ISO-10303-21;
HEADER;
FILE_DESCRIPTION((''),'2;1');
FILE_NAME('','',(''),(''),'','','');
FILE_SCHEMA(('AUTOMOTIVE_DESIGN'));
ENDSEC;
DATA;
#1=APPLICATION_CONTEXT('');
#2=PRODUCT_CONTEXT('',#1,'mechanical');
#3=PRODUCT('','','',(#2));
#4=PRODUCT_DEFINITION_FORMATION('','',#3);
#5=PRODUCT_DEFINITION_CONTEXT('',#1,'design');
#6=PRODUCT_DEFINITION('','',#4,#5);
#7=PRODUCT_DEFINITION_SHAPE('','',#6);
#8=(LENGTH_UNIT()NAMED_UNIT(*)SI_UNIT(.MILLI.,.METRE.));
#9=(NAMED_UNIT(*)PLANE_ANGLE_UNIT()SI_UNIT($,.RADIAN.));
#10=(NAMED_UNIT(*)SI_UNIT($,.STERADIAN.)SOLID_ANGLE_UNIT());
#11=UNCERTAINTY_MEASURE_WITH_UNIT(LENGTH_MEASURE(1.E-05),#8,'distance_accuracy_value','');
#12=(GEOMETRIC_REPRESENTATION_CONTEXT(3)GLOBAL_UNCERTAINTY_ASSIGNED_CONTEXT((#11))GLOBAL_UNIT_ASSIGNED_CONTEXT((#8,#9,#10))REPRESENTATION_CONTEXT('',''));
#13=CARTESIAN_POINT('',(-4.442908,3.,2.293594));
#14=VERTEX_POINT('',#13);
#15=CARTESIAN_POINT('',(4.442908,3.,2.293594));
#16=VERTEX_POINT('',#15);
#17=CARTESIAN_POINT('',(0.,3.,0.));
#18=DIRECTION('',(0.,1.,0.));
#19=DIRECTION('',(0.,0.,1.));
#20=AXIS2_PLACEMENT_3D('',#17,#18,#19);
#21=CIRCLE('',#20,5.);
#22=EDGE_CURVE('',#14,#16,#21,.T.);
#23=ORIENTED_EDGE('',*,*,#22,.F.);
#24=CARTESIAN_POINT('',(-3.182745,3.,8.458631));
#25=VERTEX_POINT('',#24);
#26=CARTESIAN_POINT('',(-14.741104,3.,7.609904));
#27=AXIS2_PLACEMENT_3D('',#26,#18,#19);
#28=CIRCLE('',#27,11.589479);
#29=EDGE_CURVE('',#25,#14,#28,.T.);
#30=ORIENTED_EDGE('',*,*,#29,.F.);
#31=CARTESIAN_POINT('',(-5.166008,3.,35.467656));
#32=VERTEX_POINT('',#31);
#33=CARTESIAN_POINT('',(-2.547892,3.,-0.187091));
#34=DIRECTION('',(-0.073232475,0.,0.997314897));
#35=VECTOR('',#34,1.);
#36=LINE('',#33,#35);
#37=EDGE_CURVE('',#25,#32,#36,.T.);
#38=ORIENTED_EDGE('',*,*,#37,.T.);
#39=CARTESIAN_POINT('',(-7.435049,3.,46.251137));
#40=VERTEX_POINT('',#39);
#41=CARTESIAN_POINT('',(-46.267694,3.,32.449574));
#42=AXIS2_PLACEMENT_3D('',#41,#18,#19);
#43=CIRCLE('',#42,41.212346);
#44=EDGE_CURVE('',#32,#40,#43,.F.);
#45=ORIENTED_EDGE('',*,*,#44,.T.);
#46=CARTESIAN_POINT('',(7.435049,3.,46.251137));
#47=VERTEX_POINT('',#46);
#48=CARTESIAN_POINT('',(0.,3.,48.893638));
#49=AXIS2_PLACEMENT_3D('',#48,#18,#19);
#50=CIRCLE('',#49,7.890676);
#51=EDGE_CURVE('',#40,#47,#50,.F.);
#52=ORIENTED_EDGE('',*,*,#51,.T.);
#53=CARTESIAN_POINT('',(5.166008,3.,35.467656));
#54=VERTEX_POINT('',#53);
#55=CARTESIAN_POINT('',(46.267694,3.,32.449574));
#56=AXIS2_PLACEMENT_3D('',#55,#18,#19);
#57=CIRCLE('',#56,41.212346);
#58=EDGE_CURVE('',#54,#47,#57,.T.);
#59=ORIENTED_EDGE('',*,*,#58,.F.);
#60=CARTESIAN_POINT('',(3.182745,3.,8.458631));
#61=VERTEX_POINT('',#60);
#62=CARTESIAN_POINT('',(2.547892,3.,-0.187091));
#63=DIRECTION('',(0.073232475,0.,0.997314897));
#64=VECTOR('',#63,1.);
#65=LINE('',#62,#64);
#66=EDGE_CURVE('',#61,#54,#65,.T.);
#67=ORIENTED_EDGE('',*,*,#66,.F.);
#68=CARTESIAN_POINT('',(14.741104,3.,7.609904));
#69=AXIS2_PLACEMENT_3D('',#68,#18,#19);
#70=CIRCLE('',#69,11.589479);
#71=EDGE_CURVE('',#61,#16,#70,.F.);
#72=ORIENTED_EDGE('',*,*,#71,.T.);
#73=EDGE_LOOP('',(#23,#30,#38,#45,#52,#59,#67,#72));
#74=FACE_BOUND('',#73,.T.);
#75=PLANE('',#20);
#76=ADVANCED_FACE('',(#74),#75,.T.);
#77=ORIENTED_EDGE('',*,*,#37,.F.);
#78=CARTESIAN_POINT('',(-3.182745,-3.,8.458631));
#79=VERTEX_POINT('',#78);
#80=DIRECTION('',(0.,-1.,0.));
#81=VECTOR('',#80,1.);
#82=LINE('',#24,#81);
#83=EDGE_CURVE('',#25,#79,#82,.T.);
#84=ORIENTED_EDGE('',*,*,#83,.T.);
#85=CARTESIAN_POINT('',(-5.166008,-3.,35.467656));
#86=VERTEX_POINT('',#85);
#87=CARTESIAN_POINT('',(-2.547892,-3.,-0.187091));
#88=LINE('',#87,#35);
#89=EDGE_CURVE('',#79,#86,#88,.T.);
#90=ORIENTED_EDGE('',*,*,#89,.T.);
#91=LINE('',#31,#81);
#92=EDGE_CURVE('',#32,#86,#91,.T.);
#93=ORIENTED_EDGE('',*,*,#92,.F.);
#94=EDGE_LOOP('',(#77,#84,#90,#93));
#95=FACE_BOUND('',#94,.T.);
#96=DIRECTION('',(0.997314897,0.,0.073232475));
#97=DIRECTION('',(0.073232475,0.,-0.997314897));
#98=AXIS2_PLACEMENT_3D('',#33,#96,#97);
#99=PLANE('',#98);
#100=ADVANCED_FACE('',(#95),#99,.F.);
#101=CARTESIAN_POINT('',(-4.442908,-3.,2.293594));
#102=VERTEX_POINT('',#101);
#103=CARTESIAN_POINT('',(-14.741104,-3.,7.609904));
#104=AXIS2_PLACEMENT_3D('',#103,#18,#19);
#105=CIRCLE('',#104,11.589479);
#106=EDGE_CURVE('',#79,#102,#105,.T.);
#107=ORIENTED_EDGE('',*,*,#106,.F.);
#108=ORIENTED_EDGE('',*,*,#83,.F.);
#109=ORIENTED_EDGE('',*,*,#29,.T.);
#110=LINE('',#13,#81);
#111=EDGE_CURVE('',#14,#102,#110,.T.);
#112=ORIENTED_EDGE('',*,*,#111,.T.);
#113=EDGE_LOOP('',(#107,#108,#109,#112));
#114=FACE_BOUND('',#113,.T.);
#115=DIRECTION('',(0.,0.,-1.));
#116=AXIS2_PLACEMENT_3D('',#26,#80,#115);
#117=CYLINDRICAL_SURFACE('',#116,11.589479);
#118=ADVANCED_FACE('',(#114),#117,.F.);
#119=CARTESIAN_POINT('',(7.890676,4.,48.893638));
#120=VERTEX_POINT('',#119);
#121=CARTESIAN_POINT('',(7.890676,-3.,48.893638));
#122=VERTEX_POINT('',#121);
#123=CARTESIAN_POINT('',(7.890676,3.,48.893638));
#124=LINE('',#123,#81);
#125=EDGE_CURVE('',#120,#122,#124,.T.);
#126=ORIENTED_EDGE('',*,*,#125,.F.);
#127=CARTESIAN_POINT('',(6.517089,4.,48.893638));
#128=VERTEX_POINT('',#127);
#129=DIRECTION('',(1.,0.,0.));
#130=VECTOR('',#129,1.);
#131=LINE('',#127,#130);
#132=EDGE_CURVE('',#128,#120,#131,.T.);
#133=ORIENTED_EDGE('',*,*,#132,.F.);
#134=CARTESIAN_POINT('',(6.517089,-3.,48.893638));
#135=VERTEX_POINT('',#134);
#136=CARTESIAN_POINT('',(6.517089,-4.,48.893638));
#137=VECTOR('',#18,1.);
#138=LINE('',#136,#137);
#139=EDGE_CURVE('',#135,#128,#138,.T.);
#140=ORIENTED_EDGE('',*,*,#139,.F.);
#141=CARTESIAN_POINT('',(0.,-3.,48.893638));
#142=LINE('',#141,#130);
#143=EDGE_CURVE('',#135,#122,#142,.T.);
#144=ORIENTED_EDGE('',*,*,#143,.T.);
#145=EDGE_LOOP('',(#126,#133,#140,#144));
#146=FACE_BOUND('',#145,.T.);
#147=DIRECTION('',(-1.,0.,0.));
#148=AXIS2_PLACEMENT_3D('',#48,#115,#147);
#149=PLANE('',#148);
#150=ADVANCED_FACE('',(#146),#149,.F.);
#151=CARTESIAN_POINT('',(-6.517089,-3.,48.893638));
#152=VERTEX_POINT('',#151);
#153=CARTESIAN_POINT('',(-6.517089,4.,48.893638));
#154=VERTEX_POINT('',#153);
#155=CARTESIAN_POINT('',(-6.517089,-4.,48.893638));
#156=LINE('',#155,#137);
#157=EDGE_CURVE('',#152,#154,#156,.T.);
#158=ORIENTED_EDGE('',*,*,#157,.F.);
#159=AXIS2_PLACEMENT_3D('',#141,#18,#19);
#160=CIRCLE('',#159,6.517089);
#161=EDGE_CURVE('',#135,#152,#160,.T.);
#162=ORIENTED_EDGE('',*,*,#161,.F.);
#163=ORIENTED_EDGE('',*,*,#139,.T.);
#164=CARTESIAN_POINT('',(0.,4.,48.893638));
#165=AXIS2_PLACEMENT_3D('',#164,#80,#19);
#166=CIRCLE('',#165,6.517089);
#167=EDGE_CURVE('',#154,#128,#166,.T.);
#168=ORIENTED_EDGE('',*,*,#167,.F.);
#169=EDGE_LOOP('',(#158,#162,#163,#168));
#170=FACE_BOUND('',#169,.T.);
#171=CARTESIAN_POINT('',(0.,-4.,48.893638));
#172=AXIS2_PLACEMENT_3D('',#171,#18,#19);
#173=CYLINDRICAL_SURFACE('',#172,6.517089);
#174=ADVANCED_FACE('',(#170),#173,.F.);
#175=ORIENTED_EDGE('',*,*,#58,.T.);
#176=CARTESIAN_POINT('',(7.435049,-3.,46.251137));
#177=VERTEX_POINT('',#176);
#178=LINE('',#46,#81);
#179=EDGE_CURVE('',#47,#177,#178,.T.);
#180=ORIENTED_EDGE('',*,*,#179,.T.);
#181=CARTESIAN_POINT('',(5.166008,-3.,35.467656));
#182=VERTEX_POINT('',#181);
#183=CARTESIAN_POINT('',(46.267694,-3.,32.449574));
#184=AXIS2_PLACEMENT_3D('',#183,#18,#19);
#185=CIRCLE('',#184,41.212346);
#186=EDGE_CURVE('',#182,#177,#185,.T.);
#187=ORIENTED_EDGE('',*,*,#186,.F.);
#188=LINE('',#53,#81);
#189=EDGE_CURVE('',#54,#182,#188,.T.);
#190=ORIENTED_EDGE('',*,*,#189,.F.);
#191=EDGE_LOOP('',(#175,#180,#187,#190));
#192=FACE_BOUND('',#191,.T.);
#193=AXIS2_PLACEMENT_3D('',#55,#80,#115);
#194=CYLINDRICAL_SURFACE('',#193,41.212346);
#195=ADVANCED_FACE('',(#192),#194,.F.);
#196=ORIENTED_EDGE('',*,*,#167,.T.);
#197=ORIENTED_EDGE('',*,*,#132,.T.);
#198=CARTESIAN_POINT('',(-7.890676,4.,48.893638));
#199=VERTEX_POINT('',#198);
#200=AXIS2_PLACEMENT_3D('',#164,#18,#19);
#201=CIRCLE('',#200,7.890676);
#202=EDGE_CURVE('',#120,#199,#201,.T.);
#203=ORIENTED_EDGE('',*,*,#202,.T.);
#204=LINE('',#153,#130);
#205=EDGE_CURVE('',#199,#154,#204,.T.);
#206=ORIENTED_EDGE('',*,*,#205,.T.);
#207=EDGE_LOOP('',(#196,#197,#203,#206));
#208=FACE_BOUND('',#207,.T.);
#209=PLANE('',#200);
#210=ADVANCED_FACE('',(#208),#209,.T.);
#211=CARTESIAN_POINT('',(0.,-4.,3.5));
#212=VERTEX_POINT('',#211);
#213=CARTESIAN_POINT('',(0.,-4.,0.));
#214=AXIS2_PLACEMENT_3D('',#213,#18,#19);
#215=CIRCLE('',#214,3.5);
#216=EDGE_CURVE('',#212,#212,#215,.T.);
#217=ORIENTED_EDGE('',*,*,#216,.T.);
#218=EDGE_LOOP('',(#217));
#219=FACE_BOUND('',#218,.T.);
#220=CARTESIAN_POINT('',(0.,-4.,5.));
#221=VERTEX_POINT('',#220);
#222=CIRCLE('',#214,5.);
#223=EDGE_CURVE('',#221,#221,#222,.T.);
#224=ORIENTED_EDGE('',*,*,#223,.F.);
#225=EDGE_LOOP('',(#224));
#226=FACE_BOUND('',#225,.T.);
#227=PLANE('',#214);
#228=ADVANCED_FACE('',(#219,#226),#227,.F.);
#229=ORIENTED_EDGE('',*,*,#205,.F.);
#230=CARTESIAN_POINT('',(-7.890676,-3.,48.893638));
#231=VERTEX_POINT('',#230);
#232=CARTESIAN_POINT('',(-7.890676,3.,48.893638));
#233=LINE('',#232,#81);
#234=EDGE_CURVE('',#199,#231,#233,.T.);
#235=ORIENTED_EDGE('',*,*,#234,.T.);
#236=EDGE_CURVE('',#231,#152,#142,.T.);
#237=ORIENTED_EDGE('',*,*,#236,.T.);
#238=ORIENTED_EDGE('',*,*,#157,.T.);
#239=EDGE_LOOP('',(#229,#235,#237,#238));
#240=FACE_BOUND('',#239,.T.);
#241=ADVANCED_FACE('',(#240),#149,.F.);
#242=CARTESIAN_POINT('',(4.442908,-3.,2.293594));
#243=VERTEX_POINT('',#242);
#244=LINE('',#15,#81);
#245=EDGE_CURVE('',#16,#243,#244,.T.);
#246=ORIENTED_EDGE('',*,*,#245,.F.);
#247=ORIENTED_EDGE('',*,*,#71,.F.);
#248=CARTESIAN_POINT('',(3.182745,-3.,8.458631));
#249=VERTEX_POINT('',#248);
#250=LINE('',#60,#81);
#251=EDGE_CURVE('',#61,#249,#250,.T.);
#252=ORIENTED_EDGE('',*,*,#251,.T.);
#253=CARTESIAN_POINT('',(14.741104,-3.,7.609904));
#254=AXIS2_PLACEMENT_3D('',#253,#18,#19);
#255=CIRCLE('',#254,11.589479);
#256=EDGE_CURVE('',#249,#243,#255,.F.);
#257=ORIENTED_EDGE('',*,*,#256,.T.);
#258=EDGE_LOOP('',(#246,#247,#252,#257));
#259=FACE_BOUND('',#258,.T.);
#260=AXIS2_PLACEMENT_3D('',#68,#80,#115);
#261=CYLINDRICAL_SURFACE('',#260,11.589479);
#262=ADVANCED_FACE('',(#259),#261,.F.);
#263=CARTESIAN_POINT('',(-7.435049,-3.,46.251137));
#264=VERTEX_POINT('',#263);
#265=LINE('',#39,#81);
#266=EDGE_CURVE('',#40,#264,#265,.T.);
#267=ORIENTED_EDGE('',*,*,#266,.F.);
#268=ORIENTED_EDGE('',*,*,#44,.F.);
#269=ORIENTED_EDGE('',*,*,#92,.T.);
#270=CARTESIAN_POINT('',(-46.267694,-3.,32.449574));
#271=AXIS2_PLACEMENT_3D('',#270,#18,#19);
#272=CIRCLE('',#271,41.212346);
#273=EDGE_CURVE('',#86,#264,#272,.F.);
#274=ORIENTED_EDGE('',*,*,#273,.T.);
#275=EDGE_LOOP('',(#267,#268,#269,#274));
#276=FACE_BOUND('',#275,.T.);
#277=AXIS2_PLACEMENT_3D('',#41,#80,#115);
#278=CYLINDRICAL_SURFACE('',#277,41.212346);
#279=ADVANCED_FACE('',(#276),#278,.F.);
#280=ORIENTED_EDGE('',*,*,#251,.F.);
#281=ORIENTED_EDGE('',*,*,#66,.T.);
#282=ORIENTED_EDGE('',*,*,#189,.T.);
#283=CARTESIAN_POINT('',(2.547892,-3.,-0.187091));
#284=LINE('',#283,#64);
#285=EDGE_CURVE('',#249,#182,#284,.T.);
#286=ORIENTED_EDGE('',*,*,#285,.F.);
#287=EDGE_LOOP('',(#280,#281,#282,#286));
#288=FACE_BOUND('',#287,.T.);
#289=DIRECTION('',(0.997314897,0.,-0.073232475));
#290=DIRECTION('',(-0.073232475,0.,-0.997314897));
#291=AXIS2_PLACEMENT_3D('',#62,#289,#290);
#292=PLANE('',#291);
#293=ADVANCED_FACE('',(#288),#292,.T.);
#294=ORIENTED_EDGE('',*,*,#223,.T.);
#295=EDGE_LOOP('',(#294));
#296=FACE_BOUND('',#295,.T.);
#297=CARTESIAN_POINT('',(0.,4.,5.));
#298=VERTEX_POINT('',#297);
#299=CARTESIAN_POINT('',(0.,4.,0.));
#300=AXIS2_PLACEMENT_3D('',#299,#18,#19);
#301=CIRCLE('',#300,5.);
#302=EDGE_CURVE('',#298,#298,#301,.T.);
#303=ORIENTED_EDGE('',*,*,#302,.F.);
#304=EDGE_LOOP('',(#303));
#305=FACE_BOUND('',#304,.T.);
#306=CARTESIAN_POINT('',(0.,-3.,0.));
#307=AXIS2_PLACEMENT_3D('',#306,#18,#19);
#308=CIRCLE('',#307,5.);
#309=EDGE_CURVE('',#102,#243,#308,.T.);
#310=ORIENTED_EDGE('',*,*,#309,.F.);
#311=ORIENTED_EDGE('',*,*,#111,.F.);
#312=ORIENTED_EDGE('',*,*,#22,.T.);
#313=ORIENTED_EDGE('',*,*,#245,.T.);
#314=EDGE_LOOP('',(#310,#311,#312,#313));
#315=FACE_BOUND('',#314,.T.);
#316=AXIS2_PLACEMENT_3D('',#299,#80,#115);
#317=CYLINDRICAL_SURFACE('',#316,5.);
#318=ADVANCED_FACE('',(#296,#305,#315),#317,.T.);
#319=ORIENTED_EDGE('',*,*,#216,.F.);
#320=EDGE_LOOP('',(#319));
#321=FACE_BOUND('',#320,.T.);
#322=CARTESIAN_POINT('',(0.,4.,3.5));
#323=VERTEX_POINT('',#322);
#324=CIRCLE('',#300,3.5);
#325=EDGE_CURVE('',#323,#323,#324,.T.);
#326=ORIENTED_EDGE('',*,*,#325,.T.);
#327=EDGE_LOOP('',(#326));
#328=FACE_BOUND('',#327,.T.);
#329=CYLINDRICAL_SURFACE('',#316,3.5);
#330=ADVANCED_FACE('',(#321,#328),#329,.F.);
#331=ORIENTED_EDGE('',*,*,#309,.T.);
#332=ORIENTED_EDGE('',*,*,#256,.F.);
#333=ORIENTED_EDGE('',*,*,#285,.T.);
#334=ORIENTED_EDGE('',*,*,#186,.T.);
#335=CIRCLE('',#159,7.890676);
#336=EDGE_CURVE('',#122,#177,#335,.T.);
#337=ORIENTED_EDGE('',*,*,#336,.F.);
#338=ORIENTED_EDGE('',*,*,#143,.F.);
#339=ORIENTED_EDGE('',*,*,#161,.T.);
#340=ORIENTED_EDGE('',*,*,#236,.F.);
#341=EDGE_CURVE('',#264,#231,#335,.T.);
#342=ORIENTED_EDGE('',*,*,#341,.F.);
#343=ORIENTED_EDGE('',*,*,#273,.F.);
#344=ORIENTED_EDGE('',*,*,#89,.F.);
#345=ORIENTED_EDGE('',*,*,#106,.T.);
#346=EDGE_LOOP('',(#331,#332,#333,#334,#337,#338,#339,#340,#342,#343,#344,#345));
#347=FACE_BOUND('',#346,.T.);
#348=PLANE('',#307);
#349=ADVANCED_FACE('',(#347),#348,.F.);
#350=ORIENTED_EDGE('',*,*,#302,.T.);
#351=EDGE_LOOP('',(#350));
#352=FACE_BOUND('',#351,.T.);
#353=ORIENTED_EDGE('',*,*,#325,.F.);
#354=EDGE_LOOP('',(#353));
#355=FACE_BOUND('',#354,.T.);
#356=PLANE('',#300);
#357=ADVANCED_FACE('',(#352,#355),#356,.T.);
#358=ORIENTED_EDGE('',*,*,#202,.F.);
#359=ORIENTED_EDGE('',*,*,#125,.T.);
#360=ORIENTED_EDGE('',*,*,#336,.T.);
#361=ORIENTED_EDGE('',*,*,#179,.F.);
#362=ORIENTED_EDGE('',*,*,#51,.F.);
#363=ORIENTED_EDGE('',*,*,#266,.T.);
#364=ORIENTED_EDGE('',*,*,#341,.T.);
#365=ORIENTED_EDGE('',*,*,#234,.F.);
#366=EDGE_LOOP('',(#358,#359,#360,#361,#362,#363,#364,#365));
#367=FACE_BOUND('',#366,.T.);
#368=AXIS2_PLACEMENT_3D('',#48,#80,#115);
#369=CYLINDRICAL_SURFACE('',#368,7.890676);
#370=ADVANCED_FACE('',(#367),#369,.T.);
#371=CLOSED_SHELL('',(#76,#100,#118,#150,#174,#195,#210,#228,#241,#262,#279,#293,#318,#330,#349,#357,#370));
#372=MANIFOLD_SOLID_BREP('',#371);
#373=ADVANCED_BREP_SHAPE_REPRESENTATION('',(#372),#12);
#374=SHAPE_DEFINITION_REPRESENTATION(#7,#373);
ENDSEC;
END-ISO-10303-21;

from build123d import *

# Parameters (mm, degrees)
SKETCH_1_R               = 5
SKETCH_1_R_2             = 3.5
EXTRUDE_1_DEPTH          = 4
EXTRUDE_2_DEPTH          = 3
CUT_EXTRUDE_1_DEPTH      = 51.018502827
CUT_EXTRUDE_1_DEPTH_BACK = 51.018502827
EXTRUDE_3_DEPTH          = 1


with BuildPart() as part:
    # 草图1 → 凸台-拉伸1 (new, symmetric)
    with BuildSketch(Plane(origin=(0, 0, 0), x_dir=(1, 0, 0), z_dir=(0, 1, 0))):
        Circle(SKETCH_1_R)
        Circle(SKETCH_1_R_2, mode=Mode.SUBTRACT)
    extrude(amount=EXTRUDE_1_DEPTH, both=True)

    # 草图3 → 凸台-拉伸2 (add, symmetric)
    with BuildSketch(Plane(origin=(0, 0, 0), x_dir=(1, 0, 0), z_dir=(0, 1, 0))):
        with BuildLine():
            ThreePointArc((-4.442907632, -2.293593637), (-3.386405493, -5.288949741), (-3.182744564, -8.45863067))
            Line((-3.182744564, -8.45863067), (-5.166007589, -35.46765597))
            ThreePointArc((-5.166007589, -35.46765597), (-5.938483862, -40.935577384), (-7.435049269, -46.251137201))
            ThreePointArc((-7.435049269, -46.251137201), (-7.775935141, -47.552891453), (-7.890676089, -48.893638195))
            Line((-7.890676089, -48.893638195), (7.890676089, -48.893638195))
            ThreePointArc((7.890676089, -48.893638195), (7.775935141, -47.552891453), (7.435049269, -46.251137201))
            ThreePointArc((7.435049269, -46.251137201), (5.938483862, -40.935577384), (5.166007589, -35.46765597))
            Line((5.166007589, -35.46765597), (3.182744564, -8.45863067))
            ThreePointArc((3.182744564, -8.45863067), (3.386405493, -5.288949741), (4.442907632, -2.293593637))
            ThreePointArc((4.442907632, -2.293593637), (0, -5), (-4.442907632, -2.293593637))
        make_face()
    extrude(amount=EXTRUDE_2_DEPTH, both=True)

    # 草图4 → 切除-拉伸1 (cut, two sides: drawn at the far end of the back side and taken through both)
    with BuildSketch(Plane(origin=(0, 3, 0), x_dir=(1, 0, 0), z_dir=(0, 1, 0)).offset(-CUT_EXTRUDE_1_DEPTH_BACK)):
        with BuildLine():
            Line((-6.517089491, -48.893638195), (6.517089491, -48.893638195))
            ThreePointArc((6.517089491, -48.893638195), (0, -42.376548704), (-6.517089491, -48.893638195))
        make_face()
    extrude(amount=CUT_EXTRUDE_1_DEPTH + CUT_EXTRUDE_1_DEPTH_BACK, mode=Mode.SUBTRACT)

    # 草图5 → 凸台-拉伸3 (add, symmetric)
    with BuildSketch(Plane(origin=(0, 3, 0), x_dir=(1, 0, 0), z_dir=(0, 1, 0))):
        with BuildLine():
            Line((-6.517089491, -48.893638195), (-7.890676089, -48.893638195))
            ThreePointArc((-7.890676089, -48.893638195), (0, -41.002962106), (7.890676089, -48.893638195))
            Line((7.890676089, -48.893638195), (6.517089491, -48.893638195))
            ThreePointArc((6.517089491, -48.893638195), (0, -42.376548704), (-6.517089491, -48.893638195))
        make_face()
    extrude(amount=EXTRUDE_3_DEPTH, both=True)


solid = part.part
